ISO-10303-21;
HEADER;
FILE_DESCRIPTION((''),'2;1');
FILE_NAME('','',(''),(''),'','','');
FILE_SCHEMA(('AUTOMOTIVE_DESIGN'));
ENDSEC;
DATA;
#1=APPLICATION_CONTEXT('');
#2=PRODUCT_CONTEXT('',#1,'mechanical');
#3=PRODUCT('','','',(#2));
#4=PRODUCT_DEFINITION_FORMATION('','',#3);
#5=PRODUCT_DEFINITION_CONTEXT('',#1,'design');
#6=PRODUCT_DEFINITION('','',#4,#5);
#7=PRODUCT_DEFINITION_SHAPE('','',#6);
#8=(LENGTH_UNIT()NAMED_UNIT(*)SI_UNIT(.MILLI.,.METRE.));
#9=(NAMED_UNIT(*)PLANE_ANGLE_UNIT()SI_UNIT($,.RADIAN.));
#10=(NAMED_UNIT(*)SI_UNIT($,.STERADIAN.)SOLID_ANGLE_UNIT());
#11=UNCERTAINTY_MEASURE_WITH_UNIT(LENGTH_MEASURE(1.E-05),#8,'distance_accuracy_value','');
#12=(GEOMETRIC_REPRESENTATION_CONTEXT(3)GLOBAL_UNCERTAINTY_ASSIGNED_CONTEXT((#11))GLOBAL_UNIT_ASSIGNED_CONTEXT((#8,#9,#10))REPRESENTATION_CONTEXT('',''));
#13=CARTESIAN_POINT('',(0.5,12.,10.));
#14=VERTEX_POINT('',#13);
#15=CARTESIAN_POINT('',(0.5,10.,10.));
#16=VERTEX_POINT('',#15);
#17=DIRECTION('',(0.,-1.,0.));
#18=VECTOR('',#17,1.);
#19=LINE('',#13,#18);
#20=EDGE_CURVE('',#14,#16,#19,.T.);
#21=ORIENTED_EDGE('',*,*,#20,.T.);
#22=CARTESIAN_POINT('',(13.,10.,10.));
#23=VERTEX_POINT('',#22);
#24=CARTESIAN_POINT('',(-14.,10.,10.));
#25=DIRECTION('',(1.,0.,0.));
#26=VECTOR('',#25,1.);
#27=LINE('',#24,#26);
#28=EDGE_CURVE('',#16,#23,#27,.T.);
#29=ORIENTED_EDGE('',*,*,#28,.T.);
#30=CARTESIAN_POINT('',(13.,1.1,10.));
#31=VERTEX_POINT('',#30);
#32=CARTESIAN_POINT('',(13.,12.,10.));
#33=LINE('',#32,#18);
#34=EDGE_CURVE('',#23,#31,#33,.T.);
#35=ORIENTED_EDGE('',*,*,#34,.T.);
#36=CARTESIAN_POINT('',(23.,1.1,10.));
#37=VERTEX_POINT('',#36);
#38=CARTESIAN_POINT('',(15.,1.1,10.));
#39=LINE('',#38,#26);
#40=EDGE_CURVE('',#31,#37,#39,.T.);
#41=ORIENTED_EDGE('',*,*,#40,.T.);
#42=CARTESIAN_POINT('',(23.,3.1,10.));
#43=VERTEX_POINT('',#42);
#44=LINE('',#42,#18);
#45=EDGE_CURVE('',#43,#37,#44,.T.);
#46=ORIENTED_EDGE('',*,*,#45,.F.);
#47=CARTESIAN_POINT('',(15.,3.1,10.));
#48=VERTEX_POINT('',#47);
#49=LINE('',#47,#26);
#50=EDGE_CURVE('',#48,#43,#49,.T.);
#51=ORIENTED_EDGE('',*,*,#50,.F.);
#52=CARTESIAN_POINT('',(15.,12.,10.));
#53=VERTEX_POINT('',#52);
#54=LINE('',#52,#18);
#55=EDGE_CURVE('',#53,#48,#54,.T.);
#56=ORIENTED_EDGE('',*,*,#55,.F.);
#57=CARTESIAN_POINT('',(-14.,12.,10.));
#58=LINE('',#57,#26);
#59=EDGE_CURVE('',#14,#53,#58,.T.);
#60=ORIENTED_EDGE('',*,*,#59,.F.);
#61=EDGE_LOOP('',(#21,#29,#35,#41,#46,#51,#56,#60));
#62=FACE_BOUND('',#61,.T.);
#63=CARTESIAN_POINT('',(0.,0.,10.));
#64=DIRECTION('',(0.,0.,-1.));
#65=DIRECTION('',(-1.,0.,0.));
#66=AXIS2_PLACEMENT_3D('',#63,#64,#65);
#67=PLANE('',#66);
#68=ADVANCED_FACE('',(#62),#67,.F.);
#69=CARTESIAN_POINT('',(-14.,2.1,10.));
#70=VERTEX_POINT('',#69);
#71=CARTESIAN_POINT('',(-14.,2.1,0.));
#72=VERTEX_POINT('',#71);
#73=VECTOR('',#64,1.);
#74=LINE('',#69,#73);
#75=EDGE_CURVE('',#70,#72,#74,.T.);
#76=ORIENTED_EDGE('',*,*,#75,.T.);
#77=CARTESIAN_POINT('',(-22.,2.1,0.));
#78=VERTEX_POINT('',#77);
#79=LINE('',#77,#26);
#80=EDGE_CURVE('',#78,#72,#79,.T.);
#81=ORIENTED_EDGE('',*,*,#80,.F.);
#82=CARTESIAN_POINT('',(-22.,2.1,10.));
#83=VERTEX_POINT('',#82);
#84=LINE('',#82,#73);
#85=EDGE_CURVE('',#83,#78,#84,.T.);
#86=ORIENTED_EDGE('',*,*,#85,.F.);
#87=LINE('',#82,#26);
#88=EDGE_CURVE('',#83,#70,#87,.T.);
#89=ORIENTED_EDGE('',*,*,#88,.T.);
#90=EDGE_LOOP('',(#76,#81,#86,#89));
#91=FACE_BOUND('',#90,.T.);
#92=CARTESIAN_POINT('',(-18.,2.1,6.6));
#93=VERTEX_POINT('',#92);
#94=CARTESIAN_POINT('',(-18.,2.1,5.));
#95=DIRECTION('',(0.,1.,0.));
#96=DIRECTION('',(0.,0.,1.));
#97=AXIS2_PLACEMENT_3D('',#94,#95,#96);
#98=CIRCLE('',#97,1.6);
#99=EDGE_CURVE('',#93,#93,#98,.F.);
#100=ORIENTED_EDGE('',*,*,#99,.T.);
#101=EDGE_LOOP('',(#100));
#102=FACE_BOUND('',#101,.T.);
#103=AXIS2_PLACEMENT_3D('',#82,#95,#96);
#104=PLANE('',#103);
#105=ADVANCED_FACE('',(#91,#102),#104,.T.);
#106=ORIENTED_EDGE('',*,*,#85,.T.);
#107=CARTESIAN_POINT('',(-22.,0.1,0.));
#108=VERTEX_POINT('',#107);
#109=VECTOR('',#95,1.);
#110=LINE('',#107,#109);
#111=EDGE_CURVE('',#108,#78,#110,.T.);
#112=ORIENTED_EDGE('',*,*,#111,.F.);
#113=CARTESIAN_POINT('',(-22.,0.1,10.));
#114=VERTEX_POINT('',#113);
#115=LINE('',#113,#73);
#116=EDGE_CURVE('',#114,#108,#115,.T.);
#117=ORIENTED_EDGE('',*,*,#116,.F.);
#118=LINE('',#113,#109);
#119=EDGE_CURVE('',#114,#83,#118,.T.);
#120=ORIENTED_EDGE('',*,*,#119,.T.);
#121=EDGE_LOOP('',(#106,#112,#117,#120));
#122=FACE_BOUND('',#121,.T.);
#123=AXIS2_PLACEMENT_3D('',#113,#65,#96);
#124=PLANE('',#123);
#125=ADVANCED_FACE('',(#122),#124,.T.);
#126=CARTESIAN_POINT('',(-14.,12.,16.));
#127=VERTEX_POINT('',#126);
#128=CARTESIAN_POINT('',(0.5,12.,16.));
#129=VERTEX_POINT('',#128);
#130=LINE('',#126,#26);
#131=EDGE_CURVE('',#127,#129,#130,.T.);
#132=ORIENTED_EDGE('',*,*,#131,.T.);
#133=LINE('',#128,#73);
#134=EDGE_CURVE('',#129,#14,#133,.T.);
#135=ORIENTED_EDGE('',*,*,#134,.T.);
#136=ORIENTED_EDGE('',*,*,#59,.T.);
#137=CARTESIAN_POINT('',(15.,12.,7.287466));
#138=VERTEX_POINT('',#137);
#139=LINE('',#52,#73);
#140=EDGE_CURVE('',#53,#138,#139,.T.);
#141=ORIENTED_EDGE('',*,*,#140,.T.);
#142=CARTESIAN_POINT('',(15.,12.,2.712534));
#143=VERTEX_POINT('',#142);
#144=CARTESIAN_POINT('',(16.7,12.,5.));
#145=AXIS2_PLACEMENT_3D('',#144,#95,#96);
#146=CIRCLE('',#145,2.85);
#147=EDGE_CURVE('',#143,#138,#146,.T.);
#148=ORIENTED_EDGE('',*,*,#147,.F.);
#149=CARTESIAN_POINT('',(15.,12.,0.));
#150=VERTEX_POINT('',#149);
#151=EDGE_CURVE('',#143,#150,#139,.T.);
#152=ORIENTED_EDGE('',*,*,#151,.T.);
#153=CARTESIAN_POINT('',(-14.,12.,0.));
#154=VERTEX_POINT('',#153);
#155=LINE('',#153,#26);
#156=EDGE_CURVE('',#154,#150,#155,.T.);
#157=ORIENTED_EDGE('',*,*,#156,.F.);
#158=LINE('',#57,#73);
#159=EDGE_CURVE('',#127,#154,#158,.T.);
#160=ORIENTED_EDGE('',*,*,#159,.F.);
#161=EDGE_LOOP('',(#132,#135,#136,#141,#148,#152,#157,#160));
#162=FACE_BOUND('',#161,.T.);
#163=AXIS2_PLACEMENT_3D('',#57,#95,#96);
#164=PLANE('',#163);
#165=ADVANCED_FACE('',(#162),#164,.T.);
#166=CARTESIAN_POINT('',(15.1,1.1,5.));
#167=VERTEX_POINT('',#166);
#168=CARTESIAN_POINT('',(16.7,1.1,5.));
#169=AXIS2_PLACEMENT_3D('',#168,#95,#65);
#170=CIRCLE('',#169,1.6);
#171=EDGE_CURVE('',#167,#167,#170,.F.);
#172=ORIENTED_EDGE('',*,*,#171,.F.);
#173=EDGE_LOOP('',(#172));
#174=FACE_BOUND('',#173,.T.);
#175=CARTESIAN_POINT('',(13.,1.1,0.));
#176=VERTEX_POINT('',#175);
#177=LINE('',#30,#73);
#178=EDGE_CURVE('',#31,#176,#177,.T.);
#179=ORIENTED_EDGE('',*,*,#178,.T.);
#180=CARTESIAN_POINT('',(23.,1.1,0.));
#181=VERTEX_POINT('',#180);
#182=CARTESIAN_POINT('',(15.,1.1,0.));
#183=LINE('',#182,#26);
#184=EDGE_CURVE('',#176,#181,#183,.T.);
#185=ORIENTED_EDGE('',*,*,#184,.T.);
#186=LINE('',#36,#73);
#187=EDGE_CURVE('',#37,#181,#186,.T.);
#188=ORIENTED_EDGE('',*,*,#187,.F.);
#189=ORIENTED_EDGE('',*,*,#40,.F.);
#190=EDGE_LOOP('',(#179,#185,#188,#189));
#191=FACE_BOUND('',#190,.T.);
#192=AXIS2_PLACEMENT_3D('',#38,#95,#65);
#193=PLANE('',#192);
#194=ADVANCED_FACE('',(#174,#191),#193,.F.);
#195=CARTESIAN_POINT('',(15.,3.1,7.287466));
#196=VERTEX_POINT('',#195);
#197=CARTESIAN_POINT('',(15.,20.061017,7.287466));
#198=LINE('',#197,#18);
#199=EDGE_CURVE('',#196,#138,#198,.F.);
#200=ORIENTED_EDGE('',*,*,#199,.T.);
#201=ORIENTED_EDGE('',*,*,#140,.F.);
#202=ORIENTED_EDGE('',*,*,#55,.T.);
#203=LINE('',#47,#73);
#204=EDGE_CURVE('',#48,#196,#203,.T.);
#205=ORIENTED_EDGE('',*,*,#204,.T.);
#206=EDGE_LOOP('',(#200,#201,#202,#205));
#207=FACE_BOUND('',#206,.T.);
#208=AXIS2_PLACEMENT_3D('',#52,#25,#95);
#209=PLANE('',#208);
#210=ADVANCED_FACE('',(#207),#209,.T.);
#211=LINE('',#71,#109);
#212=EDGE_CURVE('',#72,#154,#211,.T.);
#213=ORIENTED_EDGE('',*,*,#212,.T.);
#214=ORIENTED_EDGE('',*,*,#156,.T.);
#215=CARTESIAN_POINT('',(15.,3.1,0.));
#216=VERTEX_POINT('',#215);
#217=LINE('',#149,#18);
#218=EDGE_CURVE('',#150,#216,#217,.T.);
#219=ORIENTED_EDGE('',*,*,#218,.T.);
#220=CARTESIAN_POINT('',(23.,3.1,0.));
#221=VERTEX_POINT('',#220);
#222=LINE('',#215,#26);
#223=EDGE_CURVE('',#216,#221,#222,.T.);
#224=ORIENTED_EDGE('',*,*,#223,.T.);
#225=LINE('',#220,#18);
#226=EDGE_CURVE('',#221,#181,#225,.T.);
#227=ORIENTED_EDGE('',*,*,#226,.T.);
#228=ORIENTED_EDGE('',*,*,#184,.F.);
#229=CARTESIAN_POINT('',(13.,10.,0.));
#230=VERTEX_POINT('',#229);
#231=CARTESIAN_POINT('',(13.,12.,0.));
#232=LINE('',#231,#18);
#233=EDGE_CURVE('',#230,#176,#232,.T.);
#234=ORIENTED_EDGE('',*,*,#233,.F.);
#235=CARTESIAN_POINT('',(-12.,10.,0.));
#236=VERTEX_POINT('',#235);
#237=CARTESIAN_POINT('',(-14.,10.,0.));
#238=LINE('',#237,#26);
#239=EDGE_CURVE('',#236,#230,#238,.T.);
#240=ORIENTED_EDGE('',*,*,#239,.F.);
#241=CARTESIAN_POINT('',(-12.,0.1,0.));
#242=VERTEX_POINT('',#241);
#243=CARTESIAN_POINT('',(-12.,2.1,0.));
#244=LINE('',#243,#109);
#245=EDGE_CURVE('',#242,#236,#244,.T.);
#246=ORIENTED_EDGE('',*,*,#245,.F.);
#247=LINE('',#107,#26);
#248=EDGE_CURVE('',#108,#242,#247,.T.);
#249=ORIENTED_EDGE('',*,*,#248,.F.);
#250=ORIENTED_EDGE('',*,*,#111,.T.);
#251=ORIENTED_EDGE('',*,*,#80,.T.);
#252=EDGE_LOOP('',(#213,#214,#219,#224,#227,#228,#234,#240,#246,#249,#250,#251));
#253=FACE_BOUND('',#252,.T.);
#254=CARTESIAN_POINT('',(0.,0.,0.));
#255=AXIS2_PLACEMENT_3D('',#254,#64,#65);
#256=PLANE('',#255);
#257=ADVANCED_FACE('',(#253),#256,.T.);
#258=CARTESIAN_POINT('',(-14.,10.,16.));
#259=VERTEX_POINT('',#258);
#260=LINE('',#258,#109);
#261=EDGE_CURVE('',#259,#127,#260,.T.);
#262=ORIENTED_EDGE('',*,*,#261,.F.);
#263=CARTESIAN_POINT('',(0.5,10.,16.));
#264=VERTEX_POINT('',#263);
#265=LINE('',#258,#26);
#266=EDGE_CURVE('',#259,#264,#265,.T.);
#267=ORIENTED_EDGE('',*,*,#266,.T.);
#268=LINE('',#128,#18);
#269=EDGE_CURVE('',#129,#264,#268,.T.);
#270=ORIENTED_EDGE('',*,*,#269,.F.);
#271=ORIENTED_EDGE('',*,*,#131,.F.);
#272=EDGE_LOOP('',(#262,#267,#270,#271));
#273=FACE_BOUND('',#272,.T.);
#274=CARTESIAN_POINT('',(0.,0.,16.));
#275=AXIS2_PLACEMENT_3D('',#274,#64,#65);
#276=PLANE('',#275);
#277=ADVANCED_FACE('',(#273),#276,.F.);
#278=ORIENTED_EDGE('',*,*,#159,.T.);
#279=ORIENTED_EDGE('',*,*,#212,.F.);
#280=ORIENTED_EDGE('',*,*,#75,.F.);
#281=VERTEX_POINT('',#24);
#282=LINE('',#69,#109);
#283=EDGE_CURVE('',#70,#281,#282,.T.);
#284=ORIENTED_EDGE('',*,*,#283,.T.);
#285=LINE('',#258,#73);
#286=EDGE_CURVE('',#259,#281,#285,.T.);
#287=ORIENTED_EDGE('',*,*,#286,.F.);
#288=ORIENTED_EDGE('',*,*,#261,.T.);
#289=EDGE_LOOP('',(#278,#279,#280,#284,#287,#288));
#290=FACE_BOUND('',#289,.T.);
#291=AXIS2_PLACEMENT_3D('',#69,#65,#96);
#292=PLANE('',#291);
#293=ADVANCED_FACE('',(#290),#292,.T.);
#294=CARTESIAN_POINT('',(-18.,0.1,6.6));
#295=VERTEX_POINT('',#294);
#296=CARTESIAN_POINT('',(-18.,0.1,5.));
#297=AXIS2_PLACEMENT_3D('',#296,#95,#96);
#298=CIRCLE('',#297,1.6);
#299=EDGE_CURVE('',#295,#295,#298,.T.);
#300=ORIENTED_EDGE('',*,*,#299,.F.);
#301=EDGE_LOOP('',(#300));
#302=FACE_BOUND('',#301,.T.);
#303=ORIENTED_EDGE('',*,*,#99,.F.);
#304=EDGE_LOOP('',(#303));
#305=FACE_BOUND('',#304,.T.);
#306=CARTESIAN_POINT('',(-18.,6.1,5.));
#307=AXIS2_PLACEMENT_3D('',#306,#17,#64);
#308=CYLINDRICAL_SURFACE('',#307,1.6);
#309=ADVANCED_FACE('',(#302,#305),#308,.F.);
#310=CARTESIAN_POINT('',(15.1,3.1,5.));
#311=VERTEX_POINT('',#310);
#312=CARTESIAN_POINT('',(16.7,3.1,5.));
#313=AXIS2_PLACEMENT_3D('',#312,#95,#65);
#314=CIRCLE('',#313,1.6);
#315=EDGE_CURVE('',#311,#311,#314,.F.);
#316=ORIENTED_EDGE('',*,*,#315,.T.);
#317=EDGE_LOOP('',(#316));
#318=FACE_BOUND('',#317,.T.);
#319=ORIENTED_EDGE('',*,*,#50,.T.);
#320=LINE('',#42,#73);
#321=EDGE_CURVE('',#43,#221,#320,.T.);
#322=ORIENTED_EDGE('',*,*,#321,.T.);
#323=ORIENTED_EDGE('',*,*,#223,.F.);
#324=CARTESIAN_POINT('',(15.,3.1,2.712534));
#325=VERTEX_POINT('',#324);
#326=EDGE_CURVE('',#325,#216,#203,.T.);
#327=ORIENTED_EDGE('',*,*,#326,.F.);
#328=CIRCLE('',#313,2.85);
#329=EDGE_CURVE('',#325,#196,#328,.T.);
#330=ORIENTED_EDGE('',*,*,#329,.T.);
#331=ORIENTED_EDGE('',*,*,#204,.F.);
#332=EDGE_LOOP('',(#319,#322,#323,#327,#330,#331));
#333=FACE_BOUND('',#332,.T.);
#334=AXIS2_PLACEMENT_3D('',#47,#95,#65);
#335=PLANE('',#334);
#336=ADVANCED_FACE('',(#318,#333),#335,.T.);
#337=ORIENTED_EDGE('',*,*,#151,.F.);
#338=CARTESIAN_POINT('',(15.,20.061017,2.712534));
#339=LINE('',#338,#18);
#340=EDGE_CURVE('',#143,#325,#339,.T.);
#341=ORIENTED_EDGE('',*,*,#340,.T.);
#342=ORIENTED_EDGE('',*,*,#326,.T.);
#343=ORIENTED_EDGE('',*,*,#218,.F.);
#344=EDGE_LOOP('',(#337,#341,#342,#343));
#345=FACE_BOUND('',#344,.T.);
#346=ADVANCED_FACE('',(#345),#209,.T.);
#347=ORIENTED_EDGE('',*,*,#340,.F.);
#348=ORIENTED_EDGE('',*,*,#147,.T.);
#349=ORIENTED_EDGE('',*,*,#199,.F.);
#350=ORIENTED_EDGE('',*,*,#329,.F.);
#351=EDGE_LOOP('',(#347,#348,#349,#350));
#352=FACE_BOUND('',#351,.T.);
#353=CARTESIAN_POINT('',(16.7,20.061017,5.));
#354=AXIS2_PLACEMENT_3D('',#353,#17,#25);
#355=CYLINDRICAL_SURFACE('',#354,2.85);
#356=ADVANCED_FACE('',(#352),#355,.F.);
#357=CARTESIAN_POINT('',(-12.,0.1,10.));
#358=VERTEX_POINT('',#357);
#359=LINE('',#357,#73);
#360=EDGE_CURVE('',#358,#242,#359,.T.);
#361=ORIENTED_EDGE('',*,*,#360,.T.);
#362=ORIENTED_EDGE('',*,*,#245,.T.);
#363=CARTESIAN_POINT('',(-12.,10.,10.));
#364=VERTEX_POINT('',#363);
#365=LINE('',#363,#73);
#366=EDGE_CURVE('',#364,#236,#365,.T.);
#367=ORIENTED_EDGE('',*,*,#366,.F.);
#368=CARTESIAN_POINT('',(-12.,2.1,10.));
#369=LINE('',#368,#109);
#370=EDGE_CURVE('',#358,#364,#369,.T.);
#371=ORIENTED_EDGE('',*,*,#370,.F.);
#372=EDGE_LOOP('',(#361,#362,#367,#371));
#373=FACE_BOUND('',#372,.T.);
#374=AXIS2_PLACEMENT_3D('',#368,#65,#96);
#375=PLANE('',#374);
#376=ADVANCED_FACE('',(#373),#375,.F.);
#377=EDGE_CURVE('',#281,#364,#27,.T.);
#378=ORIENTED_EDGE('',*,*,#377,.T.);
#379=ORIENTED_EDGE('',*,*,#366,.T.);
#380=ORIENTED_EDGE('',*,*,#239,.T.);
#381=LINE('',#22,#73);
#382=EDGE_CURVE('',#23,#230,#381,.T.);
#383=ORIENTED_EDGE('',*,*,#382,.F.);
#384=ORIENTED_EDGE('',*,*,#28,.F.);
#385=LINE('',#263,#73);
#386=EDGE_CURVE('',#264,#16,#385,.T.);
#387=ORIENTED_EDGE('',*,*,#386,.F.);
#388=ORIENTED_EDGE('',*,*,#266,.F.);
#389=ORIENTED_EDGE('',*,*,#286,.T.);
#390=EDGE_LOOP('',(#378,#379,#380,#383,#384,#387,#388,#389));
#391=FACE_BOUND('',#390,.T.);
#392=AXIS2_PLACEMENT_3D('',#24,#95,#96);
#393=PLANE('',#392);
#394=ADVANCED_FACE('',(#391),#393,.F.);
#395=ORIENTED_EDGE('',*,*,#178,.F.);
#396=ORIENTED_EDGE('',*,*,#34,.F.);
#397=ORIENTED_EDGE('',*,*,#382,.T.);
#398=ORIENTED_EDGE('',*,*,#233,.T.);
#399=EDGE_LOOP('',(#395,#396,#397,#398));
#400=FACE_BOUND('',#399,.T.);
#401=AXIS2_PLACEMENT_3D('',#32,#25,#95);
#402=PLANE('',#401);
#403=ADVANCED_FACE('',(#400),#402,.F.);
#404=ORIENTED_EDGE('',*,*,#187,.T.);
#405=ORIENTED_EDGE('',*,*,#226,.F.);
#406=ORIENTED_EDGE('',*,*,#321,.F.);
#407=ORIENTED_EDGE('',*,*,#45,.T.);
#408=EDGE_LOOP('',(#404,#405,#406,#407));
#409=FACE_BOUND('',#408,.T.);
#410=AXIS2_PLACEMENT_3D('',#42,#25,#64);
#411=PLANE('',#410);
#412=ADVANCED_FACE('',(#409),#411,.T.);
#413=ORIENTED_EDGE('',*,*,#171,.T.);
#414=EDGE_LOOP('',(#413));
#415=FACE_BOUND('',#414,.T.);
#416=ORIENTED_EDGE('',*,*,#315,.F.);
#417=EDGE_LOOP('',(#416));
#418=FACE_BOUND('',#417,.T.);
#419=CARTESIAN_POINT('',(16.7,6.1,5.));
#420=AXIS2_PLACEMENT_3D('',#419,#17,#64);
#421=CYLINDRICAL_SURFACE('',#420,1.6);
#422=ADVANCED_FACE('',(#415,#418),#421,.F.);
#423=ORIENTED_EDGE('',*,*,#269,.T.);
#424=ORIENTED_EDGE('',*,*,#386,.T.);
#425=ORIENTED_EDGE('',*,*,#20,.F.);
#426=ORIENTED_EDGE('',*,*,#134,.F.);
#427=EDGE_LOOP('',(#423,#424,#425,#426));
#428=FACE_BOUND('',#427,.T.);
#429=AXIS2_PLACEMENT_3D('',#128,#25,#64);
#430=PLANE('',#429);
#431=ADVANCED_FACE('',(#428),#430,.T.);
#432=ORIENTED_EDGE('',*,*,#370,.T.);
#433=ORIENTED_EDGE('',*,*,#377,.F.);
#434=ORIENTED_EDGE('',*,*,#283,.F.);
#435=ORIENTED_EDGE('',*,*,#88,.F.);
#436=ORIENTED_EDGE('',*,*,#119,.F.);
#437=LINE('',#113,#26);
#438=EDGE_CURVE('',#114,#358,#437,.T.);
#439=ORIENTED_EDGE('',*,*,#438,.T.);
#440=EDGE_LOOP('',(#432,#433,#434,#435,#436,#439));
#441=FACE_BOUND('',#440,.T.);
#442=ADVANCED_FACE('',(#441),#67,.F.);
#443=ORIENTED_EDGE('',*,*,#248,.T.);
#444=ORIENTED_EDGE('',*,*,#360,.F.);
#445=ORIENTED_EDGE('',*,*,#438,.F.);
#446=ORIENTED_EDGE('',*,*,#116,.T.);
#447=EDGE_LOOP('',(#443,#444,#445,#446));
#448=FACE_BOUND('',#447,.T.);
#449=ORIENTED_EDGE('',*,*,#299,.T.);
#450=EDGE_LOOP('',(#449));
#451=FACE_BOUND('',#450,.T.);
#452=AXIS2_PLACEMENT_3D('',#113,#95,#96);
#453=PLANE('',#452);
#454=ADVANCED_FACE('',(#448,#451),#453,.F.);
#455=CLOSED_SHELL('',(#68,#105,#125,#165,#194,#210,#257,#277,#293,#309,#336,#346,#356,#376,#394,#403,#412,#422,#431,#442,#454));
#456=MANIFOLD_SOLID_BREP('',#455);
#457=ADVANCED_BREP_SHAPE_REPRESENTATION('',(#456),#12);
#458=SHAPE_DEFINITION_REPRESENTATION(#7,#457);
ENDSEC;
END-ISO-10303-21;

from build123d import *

# Parameters (mm, degrees)
MOUNT_DEPTH            = 10
IZIM5_W                = 14.5
IZIM5_H                = 2
MOTOR_ST_DEPTH         = 6
C_VATA_START           = -2
IZIM6_R                = 1.6
C_VATA_DELIKLERI_DEPTH = 6
IZIM7_R                = 2.85
KES_EKSTR_ZYON1_DEPTH  = 8.9


with BuildPart() as part:
    # Çizim4 → mount (new body)
    with BuildSketch(Plane.XY):
        Polygon((-22, 2.1), (-14, 2.1), (-14, 12), (15, 12), (15, 3.1), (23, 3.1), (23, 1.1), (13, 1.1), (13, 10), (-12, 10), (-12, 0.1), (-22, 0.1), align=None)
    extrude(amount=MOUNT_DEPTH)

    # Çizim5 → motor üstü (add)
    with BuildSketch(Plane.XY.offset(10)):
        with Locations((-6.75, 11)):
            Rectangle(IZIM5_W, IZIM5_H)
    extrude(amount=MOTOR_ST_DEPTH)

    # Çizim6 → cıvata delikleri (cut)
    with BuildSketch(Plane(origin=(0, 2.1, 0), x_dir=(1, 0, 0), z_dir=(0, 1, 0)).offset(C_VATA_START)):
        with Locations(Location((-18, -5, 0), (0, 0, 270))):
            Circle(IZIM6_R)
        with Locations(Location((16.7, -5, 0), (0, 0, 180))):
            Circle(IZIM6_R)
    extrude(amount=C_VATA_DELIKLERI_DEPTH, mode=Mode.SUBTRACT)

    # Çizim7 → Kes-Ekstrüzyon1 (cut)
    with BuildSketch(Plane(origin=(0, 3.1, 0), x_dir=(1, 0, 0), z_dir=(0, 1, 0))):
        with Locations((16.7, -5)):
            Circle(IZIM7_R)
    extrude(amount=KES_EKSTR_ZYON1_DEPTH, mode=Mode.SUBTRACT)


solid = part.part
